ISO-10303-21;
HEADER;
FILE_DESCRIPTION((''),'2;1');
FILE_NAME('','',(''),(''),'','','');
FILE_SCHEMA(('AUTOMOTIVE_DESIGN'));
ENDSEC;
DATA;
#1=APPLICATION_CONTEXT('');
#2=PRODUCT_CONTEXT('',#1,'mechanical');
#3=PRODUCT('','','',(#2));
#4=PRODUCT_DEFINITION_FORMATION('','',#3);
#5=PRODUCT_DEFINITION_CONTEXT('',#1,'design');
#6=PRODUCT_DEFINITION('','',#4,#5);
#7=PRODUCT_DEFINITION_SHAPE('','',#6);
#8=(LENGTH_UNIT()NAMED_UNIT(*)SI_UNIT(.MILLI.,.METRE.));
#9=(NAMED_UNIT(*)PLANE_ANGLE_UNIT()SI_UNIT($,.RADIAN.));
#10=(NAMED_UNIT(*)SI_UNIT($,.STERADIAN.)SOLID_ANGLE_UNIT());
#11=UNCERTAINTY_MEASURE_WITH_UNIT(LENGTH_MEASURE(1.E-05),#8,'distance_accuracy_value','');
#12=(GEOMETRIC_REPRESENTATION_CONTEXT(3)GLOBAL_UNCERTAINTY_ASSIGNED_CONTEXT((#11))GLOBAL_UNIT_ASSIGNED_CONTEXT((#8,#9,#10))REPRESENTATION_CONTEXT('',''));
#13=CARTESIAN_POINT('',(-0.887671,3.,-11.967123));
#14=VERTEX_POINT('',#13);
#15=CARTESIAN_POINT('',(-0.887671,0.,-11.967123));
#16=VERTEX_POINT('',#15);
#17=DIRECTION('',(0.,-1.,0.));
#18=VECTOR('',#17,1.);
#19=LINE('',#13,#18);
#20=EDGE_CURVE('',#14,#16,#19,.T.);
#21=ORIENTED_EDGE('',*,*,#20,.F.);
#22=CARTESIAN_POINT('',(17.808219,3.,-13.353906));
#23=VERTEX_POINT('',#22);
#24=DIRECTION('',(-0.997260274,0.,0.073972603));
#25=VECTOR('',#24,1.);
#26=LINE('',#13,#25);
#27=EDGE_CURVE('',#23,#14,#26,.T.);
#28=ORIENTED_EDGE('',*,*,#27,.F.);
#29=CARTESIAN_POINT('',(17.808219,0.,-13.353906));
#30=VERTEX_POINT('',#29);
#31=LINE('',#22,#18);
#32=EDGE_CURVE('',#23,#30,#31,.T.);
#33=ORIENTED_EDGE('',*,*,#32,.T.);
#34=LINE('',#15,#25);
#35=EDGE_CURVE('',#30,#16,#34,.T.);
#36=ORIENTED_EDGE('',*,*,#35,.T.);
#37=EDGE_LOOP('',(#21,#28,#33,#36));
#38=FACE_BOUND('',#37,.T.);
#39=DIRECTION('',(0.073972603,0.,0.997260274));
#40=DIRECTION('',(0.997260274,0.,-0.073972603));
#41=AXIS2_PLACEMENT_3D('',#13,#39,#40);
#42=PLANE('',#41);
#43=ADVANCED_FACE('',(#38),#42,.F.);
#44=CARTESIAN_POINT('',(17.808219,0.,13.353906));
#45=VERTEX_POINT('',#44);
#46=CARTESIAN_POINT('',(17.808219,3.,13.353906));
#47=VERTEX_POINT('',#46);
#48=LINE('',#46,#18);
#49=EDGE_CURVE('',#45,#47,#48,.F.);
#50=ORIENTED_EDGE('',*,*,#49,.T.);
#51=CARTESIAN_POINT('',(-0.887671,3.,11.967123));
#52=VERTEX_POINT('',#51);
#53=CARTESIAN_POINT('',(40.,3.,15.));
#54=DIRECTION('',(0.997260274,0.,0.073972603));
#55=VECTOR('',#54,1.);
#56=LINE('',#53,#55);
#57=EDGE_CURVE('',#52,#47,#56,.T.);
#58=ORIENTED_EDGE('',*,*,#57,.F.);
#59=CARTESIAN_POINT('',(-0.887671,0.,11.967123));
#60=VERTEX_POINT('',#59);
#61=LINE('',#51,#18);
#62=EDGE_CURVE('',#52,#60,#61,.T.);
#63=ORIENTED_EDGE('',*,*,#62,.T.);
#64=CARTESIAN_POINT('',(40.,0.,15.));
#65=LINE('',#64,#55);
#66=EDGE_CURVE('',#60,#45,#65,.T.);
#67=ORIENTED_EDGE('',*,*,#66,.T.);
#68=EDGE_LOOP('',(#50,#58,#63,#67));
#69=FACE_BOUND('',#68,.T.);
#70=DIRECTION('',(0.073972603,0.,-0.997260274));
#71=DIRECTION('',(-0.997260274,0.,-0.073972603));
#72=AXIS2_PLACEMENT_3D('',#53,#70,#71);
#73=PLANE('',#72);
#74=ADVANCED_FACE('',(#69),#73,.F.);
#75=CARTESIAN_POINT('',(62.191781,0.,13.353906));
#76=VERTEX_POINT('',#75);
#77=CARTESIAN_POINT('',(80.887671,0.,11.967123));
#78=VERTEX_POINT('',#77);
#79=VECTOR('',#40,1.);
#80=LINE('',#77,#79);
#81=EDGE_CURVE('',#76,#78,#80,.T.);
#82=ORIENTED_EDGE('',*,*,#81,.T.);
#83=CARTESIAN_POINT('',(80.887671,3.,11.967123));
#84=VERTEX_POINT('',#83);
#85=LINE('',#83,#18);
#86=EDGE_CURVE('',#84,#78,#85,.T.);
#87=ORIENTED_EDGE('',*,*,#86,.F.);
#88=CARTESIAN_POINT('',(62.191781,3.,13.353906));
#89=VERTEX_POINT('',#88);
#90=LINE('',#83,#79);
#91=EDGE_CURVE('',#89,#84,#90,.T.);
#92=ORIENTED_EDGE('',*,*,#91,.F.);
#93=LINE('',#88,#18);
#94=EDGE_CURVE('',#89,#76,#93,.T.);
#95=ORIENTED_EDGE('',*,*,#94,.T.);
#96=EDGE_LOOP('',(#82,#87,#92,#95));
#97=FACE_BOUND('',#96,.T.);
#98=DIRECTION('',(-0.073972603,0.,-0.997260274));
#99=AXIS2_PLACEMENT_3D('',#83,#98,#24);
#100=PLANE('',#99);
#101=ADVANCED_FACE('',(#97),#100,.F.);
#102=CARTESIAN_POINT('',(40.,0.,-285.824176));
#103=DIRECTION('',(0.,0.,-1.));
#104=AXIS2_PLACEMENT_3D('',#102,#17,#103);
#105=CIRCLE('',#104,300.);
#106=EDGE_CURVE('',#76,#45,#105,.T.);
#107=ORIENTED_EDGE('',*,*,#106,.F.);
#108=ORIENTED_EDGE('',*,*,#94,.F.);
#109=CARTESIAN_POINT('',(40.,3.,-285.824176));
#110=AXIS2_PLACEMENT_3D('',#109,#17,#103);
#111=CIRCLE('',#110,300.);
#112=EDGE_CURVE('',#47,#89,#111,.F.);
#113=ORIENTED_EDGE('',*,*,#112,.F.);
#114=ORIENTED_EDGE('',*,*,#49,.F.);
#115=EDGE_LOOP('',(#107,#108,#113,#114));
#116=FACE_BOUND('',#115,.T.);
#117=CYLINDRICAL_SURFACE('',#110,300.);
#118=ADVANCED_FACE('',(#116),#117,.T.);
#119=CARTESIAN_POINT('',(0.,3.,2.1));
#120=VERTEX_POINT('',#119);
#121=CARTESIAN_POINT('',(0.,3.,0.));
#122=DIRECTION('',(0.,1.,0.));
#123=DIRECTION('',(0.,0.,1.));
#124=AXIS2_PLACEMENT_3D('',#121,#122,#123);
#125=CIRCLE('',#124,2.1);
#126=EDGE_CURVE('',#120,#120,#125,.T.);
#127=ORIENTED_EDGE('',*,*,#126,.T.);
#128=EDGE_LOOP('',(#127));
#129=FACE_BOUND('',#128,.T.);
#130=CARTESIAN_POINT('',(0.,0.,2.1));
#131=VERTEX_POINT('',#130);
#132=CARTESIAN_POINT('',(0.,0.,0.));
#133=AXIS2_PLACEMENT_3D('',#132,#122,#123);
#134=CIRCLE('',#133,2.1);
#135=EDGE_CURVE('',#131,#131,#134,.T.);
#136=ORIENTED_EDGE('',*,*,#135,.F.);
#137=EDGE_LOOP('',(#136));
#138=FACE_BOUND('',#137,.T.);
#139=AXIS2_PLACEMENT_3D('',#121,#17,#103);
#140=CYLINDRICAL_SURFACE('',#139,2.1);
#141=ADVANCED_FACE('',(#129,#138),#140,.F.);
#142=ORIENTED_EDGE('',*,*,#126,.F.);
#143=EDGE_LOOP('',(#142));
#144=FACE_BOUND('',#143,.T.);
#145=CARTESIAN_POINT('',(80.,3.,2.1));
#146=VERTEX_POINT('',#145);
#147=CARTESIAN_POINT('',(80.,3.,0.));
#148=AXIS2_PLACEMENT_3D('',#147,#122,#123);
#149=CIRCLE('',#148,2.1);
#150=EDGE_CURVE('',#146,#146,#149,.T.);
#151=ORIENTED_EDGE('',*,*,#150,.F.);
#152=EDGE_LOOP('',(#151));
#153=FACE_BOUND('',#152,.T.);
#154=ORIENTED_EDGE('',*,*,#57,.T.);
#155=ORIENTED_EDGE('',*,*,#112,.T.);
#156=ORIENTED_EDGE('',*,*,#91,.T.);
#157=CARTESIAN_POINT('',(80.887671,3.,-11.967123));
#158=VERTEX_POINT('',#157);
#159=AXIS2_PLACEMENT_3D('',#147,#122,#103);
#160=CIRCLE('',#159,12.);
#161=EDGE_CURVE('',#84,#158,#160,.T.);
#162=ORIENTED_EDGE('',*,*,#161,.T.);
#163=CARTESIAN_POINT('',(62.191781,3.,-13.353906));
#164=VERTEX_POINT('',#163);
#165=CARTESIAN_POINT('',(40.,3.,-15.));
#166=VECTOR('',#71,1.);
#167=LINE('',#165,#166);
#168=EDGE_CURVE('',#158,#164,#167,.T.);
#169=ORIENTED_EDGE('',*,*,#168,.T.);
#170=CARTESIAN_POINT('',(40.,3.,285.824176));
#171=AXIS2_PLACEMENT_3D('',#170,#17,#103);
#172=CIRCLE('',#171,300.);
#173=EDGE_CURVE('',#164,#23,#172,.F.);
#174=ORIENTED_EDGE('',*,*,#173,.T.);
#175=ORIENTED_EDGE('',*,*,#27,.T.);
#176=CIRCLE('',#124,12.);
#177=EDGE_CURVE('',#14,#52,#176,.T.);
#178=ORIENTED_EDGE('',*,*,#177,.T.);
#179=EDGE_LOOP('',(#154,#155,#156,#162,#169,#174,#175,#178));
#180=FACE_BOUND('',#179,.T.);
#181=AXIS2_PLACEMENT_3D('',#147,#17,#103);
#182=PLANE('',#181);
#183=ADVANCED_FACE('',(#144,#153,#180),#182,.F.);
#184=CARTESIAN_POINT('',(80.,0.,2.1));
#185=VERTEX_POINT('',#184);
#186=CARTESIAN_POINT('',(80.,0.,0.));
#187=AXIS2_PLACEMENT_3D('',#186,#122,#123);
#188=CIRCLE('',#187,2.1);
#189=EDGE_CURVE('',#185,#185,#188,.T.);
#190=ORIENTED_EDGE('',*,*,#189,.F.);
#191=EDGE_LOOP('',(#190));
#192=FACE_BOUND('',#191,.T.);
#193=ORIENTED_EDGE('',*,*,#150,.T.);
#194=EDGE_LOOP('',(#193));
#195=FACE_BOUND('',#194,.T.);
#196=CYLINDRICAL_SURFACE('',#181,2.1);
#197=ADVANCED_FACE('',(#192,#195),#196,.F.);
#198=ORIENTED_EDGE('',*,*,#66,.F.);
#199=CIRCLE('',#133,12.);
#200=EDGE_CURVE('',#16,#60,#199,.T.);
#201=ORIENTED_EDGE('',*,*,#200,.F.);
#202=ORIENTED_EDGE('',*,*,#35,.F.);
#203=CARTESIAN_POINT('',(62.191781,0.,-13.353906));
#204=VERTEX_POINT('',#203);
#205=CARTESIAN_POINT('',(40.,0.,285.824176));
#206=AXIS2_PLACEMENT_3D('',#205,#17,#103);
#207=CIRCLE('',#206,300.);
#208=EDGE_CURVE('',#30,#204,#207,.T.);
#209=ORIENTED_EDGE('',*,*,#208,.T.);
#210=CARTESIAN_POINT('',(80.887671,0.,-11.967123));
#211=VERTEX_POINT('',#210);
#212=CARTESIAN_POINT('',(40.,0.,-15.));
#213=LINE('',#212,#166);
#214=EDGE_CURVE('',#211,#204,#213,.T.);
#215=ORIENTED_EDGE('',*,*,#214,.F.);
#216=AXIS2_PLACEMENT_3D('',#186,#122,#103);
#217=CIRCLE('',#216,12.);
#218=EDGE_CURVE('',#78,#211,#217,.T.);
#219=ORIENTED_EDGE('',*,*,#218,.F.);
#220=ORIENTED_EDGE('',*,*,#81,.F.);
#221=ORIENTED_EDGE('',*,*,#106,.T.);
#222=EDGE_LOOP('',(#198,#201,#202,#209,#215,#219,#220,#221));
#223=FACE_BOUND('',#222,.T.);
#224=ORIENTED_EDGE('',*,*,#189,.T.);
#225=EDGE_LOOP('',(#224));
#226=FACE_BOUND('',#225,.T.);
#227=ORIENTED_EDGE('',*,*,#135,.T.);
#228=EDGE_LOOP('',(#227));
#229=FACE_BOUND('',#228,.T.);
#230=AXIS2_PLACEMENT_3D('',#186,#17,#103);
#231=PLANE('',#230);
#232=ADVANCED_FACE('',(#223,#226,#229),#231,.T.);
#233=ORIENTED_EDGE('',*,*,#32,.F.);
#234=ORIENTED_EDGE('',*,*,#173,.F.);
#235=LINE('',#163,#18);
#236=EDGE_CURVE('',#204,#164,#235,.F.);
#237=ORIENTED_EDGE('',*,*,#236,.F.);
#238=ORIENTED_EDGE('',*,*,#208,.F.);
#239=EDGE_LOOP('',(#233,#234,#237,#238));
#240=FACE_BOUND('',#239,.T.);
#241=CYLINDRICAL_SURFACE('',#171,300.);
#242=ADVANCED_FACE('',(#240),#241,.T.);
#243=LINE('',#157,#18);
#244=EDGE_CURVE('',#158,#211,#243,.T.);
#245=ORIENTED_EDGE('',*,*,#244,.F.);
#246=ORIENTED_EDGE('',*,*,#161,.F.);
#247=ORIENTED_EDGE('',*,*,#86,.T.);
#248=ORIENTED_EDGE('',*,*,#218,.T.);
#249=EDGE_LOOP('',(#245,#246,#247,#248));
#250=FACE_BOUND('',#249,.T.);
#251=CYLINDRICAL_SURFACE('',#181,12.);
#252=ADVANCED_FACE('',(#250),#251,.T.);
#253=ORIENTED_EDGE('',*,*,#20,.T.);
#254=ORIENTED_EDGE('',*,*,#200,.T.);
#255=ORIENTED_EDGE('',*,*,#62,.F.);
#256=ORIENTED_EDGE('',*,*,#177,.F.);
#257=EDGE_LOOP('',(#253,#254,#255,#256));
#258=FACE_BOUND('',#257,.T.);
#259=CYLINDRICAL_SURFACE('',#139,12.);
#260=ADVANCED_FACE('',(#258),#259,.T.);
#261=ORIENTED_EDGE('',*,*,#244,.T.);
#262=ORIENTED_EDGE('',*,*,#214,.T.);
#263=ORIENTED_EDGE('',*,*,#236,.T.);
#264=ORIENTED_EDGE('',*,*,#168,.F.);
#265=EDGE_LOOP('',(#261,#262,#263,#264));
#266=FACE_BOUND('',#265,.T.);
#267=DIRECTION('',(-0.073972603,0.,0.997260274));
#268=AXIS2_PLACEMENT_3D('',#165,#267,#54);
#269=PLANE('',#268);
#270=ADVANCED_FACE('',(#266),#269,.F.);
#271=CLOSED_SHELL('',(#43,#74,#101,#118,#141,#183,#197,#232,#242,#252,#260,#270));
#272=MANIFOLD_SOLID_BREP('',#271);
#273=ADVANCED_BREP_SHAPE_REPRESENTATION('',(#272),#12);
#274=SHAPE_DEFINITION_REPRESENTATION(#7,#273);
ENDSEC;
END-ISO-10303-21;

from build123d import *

# Parameters (mm, degrees)
SKETCH_1_R      = 2.1
EXTRUDE_1_DEPTH = 3
FILLET_1_R      = 300


with BuildPart() as part:
    # 草图1 → 凸台-拉伸1 (new body)
    with BuildSketch(Plane(origin=(0, 0, 0), x_dir=(1, 0, 0), z_dir=(0, 1, 0))):
        with BuildLine():
            Line((-0.887671233, 11.967123288), (40, 15))
            Line((40, 15), (80.887671233, 11.967123288))
            ThreePointArc((80.887671233, 11.967123288), (92, 0), (80.887671233, -11.967123288))
            Line((80.887671233, -11.967123288), (40, -15))
            Line((40, -15), (-0.887671233, -11.967123288))
            ThreePointArc((-0.887671233, -11.967123288), (-12, 0), (-0.887671233, 11.967123288))
        make_face()
        with Locations(Location((0, 0, 0), (0, 0, 270))):
            Circle(SKETCH_1_R, mode=Mode.SUBTRACT)
        with Locations(Location((80, 0, 0), (0, 0, 270))):
            Circle(SKETCH_1_R, mode=Mode.SUBTRACT)
    extrude(amount=EXTRUDE_1_DEPTH)

    # 圆角1
    fillet_1_edges = [part.edges().sort_by_distance(p)[0] for p in [
        (40, 1.5, 15),
        (40, 1.5, -15),
    ]]
    fillet(fillet_1_edges, radius=FILLET_1_R)


solid = part.part
